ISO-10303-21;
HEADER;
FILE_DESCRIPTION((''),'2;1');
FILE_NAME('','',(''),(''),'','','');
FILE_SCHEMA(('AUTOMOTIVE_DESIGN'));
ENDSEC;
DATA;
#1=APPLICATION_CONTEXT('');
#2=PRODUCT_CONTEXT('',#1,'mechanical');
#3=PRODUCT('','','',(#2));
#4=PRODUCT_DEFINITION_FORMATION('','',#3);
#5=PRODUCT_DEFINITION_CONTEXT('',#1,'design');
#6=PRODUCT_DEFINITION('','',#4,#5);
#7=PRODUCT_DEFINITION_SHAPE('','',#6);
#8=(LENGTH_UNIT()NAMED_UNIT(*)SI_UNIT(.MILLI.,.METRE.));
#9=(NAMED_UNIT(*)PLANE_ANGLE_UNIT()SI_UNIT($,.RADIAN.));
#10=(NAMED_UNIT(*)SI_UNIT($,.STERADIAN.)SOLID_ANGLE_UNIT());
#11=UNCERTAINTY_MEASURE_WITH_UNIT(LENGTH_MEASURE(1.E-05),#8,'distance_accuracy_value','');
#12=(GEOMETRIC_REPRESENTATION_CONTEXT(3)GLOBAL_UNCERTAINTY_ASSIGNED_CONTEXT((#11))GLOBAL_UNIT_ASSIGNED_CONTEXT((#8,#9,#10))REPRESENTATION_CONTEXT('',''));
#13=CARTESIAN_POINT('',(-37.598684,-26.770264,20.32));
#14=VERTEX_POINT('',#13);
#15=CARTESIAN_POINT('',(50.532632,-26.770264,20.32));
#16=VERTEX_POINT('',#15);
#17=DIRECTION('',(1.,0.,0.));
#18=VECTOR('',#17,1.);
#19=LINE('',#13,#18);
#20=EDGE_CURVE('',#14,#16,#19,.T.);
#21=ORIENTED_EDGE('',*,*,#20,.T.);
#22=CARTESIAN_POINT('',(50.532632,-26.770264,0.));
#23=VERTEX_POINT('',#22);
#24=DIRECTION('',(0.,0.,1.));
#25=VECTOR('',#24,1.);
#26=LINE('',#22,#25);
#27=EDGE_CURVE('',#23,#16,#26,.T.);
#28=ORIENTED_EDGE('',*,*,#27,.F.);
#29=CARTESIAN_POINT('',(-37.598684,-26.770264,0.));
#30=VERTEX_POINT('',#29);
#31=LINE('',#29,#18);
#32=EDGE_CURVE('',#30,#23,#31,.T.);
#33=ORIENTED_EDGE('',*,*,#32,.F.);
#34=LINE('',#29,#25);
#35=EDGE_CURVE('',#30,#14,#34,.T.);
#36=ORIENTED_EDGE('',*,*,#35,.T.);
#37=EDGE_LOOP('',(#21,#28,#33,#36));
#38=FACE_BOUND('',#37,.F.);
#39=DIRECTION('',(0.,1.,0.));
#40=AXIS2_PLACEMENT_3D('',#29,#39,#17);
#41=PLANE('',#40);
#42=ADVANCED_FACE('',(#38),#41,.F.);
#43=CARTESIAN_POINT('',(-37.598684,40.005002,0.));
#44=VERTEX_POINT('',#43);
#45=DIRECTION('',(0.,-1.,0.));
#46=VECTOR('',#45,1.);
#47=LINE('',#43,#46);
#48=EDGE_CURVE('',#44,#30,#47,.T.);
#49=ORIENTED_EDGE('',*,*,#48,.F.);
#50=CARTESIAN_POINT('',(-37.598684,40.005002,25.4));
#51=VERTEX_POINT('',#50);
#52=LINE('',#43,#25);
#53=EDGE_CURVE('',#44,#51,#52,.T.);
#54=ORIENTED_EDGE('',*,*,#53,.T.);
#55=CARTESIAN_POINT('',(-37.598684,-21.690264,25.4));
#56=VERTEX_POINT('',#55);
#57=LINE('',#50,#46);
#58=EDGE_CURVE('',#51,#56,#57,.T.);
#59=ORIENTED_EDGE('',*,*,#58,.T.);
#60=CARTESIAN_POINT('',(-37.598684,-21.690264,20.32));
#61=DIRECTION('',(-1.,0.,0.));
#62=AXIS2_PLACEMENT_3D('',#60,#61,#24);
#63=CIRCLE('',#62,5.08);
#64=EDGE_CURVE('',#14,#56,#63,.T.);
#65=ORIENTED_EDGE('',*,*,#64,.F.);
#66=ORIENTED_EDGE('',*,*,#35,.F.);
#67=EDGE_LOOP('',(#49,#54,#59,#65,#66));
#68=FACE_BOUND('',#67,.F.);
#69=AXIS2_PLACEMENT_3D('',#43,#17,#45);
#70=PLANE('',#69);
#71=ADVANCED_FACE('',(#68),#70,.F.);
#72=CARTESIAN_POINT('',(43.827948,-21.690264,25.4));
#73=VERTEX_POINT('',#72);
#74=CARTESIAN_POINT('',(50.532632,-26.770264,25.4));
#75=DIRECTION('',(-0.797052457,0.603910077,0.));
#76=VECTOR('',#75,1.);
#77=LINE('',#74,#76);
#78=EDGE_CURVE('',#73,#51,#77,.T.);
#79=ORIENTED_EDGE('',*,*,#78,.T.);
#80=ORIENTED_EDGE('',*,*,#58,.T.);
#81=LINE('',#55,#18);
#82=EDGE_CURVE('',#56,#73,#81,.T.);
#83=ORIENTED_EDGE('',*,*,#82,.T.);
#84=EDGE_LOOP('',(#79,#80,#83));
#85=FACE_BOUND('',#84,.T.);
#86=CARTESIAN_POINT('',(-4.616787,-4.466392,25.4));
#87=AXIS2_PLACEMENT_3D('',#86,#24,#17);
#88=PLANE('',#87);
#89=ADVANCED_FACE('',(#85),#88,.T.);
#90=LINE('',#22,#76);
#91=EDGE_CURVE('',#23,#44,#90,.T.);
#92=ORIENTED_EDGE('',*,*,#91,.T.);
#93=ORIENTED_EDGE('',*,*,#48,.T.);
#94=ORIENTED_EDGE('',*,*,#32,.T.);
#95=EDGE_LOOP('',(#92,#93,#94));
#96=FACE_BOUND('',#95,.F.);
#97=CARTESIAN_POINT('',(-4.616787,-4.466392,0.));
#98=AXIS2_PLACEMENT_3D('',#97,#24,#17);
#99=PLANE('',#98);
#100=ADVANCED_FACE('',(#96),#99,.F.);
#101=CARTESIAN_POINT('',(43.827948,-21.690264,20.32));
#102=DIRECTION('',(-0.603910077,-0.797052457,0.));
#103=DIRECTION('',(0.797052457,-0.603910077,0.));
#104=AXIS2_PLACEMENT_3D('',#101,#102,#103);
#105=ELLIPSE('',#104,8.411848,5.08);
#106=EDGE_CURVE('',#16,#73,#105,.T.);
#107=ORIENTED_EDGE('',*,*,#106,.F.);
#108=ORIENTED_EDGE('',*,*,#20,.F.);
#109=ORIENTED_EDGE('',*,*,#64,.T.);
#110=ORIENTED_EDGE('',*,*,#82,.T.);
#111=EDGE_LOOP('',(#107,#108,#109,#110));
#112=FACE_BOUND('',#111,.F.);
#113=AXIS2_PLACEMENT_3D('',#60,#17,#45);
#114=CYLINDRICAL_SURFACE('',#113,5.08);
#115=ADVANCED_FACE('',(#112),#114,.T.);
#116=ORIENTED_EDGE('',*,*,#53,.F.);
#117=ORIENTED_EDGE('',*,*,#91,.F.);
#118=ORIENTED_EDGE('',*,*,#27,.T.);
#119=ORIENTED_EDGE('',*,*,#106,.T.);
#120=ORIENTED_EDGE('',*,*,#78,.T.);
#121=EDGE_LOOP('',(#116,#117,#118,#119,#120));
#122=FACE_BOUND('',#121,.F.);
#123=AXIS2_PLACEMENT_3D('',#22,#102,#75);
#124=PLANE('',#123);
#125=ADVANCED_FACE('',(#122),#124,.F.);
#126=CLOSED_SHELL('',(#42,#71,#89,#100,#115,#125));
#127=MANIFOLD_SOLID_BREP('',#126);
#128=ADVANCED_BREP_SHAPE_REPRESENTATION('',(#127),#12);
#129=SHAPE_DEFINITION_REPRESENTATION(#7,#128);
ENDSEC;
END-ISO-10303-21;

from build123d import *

# Parameters (mm, degrees)
F1_DEPTH = 25.4
F2_R     = 5.08


with BuildPart() as f1:
    # F0 (on Top) → F1 (new body)
    with BuildSketch(Plane.XY):
        Polygon((50.532632, -26.770264), (-37.598684, 40.005002), (-37.598684, -26.770264), align=None)
    extrude(amount=F1_DEPTH)

    # F2
    f2_edges = [f1.edges().sort_by_distance(p)[0] for p in [
        (6.466974, -26.770264, 25.4),
    ]]
    fillet(f2_edges, radius=F2_R)


solid = f1.part
